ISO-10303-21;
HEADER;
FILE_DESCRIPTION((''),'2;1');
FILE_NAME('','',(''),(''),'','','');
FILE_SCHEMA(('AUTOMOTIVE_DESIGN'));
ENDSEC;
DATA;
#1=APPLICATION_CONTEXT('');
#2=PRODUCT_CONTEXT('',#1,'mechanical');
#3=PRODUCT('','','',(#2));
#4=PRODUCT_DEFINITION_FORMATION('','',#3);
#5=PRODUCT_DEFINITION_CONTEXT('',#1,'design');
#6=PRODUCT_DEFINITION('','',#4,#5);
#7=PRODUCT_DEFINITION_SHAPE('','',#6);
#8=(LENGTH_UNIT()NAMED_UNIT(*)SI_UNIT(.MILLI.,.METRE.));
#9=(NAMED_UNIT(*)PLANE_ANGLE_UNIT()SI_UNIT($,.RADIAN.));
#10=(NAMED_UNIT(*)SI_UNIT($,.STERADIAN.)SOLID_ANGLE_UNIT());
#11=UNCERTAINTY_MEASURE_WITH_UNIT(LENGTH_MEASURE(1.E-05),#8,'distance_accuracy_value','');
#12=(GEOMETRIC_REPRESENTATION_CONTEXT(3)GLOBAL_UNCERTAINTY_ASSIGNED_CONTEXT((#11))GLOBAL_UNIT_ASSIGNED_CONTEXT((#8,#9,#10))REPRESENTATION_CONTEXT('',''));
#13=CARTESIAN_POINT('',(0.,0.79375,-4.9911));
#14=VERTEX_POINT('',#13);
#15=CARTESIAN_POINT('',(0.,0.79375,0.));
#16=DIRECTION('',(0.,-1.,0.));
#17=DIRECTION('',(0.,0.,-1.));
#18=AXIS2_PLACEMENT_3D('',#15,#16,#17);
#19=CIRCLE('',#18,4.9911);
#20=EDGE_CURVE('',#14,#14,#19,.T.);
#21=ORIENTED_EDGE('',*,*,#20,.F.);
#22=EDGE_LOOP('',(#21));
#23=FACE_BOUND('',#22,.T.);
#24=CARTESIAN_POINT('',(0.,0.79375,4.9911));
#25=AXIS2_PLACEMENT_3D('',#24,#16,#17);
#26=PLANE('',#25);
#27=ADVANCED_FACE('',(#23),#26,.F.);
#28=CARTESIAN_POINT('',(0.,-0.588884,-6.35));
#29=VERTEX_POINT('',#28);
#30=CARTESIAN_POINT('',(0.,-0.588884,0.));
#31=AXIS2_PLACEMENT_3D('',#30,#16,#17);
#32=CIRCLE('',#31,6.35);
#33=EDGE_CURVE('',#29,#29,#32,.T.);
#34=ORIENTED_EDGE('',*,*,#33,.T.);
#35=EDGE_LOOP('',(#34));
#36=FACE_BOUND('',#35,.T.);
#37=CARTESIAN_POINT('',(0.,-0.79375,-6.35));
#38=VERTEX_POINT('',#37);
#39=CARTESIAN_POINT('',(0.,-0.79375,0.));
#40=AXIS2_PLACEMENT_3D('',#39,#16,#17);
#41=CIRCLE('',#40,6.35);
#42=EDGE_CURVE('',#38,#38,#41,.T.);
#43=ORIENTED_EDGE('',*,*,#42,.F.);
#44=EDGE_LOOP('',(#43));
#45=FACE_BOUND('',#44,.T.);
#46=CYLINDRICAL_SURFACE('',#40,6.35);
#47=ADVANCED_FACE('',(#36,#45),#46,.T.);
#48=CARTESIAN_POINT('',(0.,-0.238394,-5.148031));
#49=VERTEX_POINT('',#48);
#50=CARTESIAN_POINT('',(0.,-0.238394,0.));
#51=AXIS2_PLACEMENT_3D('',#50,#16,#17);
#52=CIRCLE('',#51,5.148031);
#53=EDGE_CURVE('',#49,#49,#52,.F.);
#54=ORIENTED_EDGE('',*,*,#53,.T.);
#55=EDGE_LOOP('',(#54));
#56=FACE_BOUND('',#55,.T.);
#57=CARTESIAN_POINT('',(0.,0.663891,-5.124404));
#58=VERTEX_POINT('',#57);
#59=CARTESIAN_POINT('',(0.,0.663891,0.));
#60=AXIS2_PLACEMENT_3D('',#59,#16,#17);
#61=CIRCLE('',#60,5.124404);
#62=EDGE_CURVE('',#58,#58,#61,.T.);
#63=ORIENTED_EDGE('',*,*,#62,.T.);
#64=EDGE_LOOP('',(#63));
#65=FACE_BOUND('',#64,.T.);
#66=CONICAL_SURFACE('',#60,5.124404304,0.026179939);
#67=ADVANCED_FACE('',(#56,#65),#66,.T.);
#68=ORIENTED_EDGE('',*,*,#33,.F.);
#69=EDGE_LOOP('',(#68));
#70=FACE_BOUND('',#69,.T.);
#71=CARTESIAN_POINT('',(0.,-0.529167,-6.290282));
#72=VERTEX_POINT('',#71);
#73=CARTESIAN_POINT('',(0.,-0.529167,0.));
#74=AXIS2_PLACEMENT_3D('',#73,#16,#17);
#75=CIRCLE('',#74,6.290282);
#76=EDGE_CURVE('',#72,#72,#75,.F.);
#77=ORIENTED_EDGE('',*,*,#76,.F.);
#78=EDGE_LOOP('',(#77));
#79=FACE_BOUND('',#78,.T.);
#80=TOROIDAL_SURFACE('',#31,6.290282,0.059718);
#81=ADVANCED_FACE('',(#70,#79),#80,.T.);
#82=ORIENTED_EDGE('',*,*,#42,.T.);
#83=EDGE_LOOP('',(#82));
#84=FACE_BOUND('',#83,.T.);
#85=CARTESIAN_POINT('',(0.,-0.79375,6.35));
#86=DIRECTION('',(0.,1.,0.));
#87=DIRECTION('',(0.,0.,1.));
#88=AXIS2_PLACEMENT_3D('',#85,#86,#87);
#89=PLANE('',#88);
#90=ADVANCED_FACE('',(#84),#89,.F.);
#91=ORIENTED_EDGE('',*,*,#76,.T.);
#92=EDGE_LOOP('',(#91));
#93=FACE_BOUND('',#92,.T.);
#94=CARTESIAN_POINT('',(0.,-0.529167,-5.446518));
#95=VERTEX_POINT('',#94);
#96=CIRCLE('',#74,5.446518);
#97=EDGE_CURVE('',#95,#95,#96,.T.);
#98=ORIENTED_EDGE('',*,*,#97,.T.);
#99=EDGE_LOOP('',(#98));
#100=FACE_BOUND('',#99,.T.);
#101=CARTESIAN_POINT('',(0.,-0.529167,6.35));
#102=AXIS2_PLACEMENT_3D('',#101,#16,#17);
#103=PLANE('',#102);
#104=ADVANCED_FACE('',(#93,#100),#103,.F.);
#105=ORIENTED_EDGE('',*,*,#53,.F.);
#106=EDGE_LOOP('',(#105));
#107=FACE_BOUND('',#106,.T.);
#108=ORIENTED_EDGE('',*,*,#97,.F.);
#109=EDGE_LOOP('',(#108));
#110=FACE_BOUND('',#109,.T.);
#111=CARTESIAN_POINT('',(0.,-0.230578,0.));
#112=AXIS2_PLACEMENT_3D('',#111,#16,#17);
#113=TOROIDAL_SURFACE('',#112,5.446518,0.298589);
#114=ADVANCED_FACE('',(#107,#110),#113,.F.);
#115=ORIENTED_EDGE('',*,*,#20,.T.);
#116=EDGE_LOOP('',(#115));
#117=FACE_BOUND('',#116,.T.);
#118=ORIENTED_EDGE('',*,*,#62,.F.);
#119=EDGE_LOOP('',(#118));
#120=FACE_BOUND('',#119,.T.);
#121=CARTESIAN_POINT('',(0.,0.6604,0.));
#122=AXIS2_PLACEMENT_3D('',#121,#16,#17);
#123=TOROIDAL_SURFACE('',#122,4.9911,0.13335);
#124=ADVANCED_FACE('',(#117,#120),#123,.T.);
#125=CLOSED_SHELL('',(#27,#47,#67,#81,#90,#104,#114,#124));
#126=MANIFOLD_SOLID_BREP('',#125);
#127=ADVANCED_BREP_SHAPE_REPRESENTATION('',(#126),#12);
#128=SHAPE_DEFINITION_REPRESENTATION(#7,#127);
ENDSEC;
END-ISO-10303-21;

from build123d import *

# Parameters (mm, degrees)
FILLET1_R = 0.298588597
FILLET2_R = 0.059717719


with BuildPart() as part:
    # Sketch2 → Revolve1 (revolve)
    with BuildSketch(Plane(origin=(0, 0, 0), x_dir=(0, 0, -1), z_dir=(1, 0, 0))):
        with BuildLine():
            Line((-6.35, -0.79375), (-6.35, -0.529166667))
            Line((-6.35, -0.529166667), (-5.155645611, -0.529166667))
            Line((-5.155645611, -0.529166667), (-5.124404304, 0.663890696))
            ThreePointArc((-5.124404304, 0.663890696), (-5.084150358, 0.755918864), (-4.9911, 0.79375))
            Line((-4.9911, 0.79375), (0, 0.79375))
            Line((0, 0.79375), (0, -0.79375))
            Line((0, -0.79375), (-6.35, -0.79375))
        make_face()
    revolve(axis=Axis((0, -0.79375, 0), (0, 1, 0)))

    # Fillet1
    fillet1_edges = [part.edges().sort_by_distance(p)[0] for p in [
        (0, -0.529166667, -5.155645611),
    ]]
    fillet(fillet1_edges, radius=FILLET1_R)

    # Fillet2
    fillet2_edges = [part.edges().sort_by_distance(p)[0] for p in [
        (0, -0.529166667, -6.35),
    ]]
    fillet(fillet2_edges, radius=FILLET2_R)


solid = part.part
